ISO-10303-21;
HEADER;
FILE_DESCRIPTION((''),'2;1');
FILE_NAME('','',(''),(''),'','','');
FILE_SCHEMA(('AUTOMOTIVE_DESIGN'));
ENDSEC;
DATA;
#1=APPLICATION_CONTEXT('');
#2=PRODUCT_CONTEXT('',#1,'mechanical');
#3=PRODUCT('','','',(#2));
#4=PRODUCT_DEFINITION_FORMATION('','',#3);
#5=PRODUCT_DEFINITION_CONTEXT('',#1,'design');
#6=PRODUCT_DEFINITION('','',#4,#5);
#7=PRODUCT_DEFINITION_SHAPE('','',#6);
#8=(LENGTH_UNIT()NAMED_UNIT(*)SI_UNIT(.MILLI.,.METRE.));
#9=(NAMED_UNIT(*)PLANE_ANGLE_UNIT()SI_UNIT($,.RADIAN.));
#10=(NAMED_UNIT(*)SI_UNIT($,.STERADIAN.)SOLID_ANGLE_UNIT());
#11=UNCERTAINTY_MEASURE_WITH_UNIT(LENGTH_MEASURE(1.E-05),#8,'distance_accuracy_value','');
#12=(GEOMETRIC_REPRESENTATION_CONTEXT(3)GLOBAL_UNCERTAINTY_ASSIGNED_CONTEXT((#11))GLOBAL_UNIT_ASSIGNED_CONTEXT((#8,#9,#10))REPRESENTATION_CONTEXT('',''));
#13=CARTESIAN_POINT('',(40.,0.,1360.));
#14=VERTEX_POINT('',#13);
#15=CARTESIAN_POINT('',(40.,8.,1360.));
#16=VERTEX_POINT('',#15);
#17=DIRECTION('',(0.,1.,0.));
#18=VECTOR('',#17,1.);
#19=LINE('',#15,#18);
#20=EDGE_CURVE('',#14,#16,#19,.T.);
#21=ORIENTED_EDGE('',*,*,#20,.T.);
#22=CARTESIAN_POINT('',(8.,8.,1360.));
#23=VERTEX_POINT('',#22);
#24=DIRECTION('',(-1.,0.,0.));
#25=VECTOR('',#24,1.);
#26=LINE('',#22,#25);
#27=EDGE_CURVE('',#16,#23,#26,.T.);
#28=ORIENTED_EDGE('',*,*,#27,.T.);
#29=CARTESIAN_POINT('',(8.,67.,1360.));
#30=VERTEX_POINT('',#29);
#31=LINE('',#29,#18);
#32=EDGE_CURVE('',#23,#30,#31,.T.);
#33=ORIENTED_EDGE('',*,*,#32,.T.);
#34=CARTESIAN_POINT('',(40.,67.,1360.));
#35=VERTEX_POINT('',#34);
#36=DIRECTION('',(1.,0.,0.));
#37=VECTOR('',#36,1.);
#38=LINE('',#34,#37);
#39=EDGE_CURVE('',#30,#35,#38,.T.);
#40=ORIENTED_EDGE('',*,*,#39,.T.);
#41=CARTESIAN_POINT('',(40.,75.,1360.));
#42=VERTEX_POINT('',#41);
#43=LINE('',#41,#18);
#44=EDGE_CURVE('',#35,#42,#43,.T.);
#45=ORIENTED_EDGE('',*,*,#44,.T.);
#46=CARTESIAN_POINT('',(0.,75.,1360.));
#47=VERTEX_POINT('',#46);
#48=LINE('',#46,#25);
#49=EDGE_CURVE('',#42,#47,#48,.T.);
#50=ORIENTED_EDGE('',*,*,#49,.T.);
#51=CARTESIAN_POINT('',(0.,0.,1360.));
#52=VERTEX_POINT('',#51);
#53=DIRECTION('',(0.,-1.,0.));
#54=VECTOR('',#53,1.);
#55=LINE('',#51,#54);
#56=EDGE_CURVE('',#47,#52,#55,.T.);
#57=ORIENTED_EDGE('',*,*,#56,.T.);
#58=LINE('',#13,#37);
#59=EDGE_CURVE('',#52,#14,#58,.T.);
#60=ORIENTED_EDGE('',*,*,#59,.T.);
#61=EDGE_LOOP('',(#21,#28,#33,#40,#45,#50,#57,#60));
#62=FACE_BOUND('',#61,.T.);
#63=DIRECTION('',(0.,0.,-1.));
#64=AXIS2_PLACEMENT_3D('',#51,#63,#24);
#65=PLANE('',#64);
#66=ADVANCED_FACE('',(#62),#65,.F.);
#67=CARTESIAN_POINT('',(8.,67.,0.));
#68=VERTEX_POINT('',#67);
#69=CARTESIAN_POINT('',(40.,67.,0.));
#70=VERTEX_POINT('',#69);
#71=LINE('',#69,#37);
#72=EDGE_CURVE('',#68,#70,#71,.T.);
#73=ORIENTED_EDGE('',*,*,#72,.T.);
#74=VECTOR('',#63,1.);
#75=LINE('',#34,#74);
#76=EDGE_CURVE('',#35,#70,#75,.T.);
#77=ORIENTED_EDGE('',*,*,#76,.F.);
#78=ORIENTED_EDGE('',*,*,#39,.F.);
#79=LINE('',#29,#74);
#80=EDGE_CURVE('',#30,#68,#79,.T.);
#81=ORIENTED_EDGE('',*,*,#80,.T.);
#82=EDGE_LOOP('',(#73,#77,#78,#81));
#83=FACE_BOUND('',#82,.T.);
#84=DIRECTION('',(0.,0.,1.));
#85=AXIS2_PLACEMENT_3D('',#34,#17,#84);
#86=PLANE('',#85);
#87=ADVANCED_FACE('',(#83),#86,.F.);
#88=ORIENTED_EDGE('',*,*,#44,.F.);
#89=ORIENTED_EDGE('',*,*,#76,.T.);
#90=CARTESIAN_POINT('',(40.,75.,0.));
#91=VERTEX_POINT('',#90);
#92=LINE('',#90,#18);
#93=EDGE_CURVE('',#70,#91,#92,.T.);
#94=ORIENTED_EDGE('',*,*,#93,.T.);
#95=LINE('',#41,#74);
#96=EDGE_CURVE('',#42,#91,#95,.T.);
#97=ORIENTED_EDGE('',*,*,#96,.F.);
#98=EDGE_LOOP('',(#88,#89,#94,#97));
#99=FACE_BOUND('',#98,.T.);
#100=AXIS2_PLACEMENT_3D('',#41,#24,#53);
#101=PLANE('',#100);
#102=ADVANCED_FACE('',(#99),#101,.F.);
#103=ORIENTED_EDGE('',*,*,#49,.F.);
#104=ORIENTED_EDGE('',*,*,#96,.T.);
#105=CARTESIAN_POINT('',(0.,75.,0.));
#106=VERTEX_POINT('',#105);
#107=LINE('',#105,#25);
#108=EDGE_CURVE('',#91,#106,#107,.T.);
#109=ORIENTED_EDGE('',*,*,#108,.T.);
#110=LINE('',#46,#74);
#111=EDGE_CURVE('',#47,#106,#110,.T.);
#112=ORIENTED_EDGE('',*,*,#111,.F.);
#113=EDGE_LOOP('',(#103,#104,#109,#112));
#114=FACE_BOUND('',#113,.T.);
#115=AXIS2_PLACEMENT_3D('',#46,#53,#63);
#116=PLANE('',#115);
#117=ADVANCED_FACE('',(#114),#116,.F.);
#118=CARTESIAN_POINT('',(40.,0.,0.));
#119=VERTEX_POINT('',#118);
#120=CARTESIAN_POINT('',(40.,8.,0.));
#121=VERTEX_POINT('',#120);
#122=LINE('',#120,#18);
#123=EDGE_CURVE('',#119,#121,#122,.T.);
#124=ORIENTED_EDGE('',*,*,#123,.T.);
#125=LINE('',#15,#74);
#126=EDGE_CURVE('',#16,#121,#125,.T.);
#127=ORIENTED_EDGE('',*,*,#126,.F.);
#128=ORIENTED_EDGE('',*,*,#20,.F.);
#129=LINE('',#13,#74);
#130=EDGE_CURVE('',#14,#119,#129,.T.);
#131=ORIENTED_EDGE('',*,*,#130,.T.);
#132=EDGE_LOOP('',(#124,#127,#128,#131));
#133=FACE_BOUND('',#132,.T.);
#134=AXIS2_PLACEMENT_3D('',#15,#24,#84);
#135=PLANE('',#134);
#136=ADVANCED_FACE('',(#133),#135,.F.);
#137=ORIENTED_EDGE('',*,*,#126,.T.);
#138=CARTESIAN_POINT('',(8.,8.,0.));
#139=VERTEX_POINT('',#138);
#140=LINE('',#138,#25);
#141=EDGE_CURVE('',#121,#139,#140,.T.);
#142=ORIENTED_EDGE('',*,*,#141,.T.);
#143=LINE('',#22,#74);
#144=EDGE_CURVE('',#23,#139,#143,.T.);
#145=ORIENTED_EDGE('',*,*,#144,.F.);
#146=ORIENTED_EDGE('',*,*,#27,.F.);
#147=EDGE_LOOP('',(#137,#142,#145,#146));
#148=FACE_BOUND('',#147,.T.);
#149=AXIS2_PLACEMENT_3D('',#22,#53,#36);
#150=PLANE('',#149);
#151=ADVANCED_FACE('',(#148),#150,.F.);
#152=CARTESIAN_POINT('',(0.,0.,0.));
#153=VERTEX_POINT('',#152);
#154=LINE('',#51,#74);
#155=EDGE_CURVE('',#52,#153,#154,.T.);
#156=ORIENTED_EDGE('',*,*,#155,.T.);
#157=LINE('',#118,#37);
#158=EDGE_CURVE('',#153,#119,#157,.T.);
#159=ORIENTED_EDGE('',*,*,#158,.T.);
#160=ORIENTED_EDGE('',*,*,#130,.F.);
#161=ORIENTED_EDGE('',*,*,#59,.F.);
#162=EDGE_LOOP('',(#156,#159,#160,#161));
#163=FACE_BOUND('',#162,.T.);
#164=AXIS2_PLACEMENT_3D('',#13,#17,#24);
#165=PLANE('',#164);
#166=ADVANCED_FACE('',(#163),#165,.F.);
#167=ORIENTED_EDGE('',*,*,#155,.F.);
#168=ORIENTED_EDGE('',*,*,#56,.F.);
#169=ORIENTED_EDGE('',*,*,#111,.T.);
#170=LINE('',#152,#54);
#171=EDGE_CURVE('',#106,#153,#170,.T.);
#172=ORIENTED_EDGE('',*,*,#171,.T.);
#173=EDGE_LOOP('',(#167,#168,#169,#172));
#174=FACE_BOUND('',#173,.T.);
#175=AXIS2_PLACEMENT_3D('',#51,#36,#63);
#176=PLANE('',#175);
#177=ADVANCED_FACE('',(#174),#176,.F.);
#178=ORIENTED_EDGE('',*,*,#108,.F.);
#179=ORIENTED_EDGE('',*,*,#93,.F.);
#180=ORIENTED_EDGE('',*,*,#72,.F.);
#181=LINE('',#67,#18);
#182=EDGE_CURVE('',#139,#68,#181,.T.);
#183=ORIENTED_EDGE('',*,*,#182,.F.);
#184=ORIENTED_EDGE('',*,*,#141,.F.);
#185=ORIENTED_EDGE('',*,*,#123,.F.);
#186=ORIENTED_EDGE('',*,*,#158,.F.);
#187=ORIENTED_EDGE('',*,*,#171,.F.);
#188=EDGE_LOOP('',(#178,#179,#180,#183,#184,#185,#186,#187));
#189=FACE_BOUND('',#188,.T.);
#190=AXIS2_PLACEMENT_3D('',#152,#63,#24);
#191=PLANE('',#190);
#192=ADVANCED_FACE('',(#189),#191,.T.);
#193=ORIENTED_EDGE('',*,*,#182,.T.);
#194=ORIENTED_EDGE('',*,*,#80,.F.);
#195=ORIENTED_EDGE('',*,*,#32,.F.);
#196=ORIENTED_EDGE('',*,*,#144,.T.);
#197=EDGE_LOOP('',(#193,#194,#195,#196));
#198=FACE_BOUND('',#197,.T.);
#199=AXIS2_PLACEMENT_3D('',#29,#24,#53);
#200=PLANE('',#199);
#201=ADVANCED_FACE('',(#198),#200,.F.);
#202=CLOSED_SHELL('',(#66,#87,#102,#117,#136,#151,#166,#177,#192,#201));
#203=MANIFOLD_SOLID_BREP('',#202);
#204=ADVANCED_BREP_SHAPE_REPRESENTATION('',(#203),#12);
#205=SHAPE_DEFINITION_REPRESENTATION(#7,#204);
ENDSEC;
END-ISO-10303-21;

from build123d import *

# Parameters (mm, degrees)
BOSS_EXTRUDE1_DEPTH = 1360


with BuildPart() as part:
    # Sketch1 → Boss-Extrude1 (new body)
    with BuildSketch(Plane.XY):
        Polygon((0, 0), (0, 75), (40, 75), (40, 67), (8, 67), (8, 8), (40, 8), (40, 0), align=None)
    extrude(amount=BOSS_EXTRUDE1_DEPTH)


solid = part.part
